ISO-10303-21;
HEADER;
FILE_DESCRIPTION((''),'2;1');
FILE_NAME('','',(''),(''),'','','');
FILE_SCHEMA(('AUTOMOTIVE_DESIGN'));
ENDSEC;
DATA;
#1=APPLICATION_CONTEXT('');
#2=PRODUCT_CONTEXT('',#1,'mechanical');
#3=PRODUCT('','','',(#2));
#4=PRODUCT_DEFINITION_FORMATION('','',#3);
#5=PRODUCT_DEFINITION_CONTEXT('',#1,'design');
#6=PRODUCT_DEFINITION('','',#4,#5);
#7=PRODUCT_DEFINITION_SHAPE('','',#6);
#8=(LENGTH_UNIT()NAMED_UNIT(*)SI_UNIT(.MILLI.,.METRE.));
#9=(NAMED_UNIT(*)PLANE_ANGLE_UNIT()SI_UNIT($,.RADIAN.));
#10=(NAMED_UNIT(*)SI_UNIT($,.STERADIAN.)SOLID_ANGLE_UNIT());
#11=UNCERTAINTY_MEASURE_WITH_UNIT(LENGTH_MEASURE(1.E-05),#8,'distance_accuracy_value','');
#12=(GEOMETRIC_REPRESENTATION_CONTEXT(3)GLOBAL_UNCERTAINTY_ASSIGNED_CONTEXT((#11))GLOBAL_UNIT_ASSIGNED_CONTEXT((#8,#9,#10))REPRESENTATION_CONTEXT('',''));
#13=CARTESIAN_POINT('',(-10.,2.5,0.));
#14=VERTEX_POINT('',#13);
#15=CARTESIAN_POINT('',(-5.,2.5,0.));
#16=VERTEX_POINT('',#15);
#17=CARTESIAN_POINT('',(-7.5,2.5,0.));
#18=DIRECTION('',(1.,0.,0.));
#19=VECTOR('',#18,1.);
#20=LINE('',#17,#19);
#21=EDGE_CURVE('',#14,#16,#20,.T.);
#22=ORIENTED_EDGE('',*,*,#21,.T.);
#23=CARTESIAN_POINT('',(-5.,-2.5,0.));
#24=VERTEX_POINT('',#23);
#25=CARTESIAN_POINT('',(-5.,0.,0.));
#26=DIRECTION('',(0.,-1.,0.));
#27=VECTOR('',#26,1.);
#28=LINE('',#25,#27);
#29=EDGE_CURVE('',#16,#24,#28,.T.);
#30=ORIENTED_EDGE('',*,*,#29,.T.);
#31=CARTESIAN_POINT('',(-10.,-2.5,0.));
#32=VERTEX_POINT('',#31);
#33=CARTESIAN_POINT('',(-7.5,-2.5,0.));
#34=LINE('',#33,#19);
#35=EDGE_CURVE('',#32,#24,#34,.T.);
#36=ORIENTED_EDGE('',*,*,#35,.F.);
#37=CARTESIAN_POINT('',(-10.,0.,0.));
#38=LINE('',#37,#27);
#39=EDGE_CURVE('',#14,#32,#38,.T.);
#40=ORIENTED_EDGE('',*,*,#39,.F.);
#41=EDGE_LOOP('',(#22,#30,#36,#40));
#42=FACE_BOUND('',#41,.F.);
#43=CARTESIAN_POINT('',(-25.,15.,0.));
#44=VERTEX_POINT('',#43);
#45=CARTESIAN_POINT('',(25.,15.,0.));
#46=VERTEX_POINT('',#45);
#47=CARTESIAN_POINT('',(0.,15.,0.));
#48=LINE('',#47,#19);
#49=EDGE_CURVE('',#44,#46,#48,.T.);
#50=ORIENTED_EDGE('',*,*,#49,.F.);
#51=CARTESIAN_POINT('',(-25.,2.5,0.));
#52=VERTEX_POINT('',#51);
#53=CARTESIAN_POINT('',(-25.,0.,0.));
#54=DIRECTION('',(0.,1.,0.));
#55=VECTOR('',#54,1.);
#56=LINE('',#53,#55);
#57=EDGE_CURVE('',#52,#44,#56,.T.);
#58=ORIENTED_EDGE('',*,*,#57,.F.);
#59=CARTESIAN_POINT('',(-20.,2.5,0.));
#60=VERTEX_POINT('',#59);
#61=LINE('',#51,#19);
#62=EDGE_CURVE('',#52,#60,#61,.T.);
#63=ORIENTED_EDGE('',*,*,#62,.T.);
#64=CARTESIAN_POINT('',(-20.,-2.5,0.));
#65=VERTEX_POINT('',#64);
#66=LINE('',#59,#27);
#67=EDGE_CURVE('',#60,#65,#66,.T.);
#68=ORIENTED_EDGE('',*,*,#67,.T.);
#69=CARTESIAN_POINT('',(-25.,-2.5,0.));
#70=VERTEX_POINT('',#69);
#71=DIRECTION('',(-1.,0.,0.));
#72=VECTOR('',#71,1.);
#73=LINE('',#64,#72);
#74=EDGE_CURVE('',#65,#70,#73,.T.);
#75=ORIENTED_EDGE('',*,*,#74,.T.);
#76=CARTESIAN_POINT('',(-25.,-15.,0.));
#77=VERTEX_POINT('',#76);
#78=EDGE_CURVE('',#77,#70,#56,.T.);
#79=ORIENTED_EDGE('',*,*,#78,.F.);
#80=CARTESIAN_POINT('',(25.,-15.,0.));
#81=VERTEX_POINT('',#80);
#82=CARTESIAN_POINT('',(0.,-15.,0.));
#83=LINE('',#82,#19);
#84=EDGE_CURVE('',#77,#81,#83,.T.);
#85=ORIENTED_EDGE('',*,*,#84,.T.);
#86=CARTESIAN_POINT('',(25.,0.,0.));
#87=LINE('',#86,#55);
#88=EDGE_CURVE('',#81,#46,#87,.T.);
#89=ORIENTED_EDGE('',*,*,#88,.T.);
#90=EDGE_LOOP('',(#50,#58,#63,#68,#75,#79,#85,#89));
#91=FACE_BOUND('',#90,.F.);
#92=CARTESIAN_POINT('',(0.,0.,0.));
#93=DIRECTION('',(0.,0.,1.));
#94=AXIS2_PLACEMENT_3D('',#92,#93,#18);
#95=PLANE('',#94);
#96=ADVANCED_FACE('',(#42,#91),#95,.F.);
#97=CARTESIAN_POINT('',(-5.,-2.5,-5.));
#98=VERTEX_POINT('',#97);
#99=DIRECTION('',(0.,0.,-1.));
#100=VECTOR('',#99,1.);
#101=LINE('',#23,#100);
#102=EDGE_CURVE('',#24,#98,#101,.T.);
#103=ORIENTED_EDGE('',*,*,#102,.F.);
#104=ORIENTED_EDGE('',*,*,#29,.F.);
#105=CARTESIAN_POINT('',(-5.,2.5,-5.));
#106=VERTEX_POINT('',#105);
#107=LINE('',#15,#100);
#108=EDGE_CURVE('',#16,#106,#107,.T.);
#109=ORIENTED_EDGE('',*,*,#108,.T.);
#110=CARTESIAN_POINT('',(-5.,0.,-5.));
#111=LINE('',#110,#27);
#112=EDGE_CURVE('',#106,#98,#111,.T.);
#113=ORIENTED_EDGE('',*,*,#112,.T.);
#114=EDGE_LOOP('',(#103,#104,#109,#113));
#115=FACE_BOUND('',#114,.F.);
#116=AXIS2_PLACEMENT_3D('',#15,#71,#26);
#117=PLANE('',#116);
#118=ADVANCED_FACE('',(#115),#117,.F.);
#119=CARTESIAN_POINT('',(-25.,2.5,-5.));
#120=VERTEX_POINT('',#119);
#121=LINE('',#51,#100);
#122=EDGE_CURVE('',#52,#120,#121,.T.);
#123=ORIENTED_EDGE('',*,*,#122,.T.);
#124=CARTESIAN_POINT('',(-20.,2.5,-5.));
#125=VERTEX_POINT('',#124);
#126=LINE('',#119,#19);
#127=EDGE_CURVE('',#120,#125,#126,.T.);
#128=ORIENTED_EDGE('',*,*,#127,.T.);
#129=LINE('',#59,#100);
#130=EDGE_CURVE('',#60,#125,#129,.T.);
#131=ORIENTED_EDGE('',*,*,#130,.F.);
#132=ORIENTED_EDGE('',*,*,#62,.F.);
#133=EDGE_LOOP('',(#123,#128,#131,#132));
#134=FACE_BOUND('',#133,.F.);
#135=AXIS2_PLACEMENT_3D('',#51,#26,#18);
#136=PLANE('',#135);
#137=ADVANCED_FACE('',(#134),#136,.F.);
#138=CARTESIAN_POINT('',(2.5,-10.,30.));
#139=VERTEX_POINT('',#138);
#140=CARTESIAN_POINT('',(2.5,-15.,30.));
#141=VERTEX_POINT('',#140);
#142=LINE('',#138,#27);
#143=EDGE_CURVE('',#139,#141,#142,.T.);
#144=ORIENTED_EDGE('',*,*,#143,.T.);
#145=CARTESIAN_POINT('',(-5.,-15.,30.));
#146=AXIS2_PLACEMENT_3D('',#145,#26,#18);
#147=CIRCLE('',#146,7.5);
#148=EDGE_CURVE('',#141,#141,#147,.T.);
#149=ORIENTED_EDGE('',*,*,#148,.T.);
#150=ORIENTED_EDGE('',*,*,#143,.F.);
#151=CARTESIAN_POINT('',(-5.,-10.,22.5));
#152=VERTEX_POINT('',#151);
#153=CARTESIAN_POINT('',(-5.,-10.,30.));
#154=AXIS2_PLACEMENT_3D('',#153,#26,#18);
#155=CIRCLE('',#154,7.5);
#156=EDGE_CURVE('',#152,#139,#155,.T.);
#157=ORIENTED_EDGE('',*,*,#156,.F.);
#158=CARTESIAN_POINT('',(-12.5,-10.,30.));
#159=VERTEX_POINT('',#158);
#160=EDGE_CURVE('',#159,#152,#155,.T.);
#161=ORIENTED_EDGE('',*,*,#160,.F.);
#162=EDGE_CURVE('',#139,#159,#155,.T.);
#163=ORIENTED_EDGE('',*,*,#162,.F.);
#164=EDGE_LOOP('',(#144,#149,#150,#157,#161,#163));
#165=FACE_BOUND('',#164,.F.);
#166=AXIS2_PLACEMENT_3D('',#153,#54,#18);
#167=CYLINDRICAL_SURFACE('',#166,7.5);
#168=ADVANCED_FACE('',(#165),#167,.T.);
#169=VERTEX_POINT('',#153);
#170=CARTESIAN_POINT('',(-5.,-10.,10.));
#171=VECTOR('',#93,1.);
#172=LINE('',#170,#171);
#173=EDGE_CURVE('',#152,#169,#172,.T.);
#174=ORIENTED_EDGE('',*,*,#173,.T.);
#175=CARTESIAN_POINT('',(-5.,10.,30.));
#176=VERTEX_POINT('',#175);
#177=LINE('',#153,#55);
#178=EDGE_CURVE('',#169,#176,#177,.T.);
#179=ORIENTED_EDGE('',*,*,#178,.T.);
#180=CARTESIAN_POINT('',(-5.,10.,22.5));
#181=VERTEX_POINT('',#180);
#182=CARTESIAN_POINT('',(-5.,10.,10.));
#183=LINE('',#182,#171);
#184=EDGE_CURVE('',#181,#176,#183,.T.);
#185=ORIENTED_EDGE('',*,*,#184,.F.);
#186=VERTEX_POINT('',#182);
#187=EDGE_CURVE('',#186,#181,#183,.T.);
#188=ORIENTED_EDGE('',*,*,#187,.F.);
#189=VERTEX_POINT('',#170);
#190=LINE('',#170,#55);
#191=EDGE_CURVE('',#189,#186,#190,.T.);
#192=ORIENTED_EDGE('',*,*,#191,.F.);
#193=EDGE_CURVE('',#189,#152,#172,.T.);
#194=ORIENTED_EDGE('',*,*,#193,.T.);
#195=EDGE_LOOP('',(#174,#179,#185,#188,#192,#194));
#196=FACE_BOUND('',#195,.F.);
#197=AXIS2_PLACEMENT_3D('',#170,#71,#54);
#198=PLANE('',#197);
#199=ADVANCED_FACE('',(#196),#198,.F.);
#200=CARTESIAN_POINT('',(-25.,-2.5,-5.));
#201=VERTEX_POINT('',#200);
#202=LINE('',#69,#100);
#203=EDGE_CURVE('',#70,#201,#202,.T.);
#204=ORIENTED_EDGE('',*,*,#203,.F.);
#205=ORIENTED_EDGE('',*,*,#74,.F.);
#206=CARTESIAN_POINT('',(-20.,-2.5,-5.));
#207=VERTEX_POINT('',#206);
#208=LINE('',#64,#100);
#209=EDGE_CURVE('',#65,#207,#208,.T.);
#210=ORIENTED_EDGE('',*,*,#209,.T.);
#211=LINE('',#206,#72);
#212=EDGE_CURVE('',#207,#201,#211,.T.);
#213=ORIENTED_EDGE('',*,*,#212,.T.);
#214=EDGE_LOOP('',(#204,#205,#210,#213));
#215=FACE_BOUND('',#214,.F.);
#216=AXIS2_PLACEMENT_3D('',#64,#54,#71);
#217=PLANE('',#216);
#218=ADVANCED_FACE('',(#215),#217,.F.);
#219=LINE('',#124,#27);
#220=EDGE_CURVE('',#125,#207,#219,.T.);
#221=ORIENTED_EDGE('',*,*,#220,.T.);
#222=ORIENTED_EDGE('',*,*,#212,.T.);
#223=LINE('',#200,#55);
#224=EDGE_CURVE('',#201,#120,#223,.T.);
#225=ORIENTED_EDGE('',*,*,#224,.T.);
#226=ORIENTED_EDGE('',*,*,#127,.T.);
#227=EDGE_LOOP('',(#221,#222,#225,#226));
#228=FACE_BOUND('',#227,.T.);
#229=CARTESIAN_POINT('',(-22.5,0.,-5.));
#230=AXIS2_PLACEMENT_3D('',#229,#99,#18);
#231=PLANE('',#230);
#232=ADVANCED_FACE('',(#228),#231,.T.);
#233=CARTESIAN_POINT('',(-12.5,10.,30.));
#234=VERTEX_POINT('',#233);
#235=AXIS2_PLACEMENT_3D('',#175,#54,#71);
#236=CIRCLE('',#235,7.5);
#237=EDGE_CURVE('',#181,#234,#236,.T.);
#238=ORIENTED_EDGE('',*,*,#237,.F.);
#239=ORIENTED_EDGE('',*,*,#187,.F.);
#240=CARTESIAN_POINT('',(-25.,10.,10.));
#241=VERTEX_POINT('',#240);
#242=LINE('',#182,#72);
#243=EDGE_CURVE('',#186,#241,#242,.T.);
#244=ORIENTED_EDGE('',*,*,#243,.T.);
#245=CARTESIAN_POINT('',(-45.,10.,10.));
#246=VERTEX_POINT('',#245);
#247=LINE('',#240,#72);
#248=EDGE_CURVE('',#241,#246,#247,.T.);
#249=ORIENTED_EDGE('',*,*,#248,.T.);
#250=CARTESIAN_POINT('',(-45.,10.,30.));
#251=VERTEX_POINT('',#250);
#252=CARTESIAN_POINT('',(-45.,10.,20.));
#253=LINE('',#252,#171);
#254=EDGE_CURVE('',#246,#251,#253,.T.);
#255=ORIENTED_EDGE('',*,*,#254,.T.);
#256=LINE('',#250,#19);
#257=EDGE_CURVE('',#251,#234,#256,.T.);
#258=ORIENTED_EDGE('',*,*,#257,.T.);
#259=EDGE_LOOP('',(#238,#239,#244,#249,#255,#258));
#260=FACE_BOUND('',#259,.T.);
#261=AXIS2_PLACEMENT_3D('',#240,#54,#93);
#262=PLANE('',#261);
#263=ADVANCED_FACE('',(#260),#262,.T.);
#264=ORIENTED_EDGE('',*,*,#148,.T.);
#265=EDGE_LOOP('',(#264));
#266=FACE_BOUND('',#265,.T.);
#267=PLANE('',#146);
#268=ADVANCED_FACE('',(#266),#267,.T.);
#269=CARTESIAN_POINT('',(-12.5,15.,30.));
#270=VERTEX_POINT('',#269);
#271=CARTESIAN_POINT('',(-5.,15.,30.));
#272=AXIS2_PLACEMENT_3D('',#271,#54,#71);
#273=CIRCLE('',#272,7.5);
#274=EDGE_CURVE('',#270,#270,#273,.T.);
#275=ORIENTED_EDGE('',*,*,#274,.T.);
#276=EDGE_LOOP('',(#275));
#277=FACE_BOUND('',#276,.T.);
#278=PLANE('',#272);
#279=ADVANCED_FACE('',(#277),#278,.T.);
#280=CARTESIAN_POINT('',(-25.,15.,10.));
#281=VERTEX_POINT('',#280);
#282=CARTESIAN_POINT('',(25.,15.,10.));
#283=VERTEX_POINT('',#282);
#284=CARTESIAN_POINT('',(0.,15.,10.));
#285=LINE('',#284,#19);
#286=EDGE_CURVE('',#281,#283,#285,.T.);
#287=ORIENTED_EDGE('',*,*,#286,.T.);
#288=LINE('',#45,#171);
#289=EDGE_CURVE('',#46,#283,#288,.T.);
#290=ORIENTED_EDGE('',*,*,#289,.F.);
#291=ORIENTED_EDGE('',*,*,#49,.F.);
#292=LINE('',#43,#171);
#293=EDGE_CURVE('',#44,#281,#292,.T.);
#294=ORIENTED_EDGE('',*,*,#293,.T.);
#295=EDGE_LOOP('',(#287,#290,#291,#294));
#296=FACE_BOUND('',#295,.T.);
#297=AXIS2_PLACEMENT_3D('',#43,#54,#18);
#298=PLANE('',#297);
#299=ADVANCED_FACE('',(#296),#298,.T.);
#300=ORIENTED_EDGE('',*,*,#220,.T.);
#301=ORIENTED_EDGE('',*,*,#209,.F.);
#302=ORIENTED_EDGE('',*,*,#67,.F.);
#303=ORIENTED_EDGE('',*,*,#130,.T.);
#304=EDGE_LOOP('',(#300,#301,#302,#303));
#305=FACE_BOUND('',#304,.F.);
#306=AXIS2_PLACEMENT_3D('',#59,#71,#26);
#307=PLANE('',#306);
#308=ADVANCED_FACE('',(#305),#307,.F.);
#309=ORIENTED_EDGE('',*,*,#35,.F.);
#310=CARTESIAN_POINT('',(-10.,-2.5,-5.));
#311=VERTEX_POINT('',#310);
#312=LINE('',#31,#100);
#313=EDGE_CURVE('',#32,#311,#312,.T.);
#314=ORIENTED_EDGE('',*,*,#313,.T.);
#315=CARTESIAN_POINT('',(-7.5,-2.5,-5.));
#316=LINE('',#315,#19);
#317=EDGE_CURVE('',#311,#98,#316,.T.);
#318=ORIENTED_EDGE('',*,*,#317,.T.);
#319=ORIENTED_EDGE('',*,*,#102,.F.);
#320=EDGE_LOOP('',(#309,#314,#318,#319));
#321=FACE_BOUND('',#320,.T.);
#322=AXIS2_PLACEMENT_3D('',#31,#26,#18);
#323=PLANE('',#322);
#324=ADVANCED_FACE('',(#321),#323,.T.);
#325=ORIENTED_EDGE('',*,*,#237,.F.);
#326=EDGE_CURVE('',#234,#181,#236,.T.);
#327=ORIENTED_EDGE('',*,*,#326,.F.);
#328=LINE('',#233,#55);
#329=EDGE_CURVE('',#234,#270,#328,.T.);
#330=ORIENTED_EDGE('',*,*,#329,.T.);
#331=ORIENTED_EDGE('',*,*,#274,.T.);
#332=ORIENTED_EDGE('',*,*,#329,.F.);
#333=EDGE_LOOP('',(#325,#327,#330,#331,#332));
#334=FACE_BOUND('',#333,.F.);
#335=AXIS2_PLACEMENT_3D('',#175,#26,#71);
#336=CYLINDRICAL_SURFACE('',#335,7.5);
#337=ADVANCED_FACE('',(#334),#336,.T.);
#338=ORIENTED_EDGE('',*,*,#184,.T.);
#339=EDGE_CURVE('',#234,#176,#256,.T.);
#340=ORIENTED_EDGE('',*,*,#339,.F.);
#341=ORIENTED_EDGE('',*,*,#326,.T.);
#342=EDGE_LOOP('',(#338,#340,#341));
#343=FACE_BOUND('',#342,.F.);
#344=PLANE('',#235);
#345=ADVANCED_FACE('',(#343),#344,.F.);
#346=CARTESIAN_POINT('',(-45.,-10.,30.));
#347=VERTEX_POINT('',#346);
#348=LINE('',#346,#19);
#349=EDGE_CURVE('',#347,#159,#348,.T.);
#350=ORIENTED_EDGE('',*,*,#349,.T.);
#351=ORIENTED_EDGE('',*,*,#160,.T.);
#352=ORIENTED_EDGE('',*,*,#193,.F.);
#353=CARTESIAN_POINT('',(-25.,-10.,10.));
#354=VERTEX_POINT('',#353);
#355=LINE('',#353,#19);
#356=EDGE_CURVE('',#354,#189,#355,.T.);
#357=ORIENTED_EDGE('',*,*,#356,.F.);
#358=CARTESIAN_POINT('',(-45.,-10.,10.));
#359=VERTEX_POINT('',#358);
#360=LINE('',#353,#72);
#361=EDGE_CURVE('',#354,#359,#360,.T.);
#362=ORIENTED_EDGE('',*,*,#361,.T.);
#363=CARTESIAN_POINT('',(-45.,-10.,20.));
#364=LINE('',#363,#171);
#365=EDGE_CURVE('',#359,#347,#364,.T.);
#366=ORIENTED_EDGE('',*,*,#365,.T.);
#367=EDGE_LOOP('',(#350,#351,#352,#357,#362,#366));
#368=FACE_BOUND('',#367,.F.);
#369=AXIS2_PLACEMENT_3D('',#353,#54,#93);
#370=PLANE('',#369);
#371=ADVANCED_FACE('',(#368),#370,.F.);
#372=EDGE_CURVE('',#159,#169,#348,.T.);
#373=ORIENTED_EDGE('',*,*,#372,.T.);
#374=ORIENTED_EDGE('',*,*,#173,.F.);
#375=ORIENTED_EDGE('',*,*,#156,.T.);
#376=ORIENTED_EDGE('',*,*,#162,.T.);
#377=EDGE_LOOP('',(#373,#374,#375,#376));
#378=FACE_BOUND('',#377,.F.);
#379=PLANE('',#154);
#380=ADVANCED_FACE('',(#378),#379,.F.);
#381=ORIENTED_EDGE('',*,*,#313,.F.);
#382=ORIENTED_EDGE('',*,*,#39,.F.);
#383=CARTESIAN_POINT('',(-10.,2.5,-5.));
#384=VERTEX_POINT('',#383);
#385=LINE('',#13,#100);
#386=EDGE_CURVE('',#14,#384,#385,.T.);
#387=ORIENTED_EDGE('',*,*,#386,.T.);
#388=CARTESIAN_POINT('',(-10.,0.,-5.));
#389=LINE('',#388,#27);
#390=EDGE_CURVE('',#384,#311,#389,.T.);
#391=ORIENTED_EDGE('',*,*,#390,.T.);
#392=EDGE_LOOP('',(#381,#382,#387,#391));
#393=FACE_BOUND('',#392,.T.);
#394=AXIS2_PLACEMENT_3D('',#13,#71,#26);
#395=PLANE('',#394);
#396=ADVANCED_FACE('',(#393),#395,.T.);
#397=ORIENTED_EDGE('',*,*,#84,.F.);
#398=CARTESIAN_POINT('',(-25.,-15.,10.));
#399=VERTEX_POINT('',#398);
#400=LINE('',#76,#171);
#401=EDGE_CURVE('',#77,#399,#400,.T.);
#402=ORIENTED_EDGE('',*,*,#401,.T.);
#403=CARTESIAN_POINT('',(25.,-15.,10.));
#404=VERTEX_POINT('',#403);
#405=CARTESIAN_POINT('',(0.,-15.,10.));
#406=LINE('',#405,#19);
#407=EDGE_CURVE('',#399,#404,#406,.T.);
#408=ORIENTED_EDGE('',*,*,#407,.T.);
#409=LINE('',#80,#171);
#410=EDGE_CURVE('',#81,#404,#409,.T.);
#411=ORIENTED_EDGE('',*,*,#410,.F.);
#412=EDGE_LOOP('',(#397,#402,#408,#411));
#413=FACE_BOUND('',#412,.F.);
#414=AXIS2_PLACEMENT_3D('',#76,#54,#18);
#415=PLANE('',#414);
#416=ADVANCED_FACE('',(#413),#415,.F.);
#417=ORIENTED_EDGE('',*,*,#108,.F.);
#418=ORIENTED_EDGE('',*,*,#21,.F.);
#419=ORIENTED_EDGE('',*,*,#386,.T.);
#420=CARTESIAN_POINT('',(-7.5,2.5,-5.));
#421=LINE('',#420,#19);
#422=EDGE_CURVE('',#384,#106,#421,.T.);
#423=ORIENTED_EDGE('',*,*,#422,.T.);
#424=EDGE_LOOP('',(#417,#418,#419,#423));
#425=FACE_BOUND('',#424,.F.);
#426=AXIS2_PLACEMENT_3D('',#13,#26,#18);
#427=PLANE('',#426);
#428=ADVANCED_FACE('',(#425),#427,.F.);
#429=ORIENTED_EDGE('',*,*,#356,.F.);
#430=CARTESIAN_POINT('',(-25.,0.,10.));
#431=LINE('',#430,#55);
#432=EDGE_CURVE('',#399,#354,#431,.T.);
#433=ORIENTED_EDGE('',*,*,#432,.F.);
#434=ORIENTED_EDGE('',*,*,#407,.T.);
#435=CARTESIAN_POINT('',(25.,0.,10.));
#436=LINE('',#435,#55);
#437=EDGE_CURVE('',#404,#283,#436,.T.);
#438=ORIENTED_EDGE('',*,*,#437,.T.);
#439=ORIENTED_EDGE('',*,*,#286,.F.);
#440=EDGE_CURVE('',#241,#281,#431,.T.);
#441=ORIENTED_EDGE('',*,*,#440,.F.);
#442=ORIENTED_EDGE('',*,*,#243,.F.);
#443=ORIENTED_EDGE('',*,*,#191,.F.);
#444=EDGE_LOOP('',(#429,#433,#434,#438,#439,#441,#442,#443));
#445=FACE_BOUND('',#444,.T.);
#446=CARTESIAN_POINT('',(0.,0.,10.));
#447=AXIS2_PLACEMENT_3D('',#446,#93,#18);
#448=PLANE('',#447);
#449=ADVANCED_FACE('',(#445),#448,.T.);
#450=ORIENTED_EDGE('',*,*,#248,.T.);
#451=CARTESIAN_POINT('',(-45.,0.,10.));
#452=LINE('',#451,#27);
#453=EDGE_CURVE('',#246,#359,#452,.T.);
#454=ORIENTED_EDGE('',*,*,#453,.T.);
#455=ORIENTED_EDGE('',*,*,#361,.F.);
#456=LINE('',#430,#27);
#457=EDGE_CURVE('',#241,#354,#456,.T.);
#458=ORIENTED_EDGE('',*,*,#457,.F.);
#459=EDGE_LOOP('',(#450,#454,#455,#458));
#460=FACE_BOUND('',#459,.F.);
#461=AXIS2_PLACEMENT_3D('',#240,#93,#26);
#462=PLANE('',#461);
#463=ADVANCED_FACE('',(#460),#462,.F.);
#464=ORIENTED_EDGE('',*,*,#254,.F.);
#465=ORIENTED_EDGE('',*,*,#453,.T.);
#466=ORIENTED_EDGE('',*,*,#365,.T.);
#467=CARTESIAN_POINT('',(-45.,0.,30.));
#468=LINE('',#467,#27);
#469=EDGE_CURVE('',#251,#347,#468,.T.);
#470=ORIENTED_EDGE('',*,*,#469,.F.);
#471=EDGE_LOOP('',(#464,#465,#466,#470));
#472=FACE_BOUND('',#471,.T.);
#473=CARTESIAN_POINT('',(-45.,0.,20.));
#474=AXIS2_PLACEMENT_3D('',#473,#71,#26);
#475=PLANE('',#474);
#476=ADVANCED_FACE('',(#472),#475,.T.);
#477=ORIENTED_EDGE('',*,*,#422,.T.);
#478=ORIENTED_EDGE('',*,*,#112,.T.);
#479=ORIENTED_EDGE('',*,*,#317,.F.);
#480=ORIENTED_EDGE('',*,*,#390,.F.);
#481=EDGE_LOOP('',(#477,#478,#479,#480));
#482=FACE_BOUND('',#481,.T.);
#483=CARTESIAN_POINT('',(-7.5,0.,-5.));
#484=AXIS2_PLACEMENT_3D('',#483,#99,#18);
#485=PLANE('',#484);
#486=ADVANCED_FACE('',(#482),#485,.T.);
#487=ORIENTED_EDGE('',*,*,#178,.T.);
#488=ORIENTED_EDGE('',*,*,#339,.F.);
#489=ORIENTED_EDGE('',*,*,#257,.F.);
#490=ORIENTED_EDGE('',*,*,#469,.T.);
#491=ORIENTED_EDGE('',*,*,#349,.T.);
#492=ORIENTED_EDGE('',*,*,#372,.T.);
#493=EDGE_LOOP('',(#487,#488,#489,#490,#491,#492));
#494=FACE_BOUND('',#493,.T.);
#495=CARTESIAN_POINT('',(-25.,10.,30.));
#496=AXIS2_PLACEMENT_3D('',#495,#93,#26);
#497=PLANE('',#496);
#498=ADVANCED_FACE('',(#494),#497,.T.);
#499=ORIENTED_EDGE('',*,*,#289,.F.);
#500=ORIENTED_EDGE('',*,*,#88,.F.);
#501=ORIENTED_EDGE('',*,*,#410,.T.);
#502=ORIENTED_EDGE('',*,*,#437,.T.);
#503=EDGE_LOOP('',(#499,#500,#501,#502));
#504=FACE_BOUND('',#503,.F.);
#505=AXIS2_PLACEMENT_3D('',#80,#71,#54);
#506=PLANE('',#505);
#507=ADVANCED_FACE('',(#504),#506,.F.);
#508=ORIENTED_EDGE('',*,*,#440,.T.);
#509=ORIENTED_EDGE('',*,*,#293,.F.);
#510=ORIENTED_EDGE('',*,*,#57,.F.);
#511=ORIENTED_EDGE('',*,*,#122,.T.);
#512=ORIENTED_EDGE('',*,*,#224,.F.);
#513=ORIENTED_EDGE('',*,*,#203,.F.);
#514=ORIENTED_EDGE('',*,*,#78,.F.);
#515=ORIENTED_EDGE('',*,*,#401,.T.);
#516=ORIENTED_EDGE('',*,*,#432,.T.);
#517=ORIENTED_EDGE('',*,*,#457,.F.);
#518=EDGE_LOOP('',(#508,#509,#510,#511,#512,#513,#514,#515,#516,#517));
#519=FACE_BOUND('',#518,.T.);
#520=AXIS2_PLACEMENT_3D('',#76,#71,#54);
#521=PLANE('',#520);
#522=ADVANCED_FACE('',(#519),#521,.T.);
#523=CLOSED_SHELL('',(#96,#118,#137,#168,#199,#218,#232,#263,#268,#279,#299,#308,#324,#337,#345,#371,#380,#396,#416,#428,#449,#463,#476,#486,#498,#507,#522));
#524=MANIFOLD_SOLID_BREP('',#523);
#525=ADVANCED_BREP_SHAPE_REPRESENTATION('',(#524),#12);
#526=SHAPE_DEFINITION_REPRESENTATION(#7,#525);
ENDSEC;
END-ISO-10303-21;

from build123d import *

# Parameters (mm, degrees)
F0_W      = 50
F0_H      = 30
F1_DEPTH  = 10
F2_W      = 5
F2_H      = 5
F3_DEPTH  = 5
F5_DEPTH  = 20
F6_W      = 20
F6_H      = 20
F7_DEPTH  = 20
F8_R      = 7.5
F9_DEPTH  = 5
F10_R     = 7.5
F11_DEPTH = 5


with BuildPart() as f1:
    # F0 (on Top) → F1 (new body)
    with BuildSketch(Plane.XY):
        Rectangle(F0_W, F0_H)
    extrude(amount=F1_DEPTH)

    # F2 (on face) → F3 (join)
    with BuildSketch(Plane(origin=(0, 0, 0), x_dir=(1, 0, 0), z_dir=(0, 0, -1))):
        Polygon((-25, 2.5), (-25, 0), (-25, -2.5), (-20, -2.5), (-20, 2.5), align=None)
        with Locations((-7.5, 0)):
            Rectangle(F2_W, F2_H)
    extrude(amount=F3_DEPTH)

    # F4 (on face) → F5 (join)
    with BuildSketch(Plane.XY.offset(10)):
        Polygon((-5, 10), (-25, 10), (-25, 0), (-25, -10), (-5, -10), align=None)
    extrude(amount=F5_DEPTH)

    # F6 (on face) → F7 (join)
    with BuildSketch(Plane(origin=(-25, 0, 0), x_dir=(0, -1, 0), z_dir=(-1, 0, 0))):
        with Locations((0, 20)):
            Rectangle(F6_W, F6_H)
    extrude(amount=F7_DEPTH)

    # F8 (on face) → F9 (join)
    with BuildSketch(Plane.XZ.offset(10)):
        with Locations((-5, 30)):
            Circle(F8_R)
    extrude(amount=F9_DEPTH)

    # F10 (on face) → F11 (join)
    with BuildSketch(Plane(origin=(0, 10, 0), x_dir=(-1, 0, 0), z_dir=(0, 1, 0))):
        with Locations((5, 30)):
            Circle(F10_R)
    extrude(amount=F11_DEPTH)


solid = f1.part
